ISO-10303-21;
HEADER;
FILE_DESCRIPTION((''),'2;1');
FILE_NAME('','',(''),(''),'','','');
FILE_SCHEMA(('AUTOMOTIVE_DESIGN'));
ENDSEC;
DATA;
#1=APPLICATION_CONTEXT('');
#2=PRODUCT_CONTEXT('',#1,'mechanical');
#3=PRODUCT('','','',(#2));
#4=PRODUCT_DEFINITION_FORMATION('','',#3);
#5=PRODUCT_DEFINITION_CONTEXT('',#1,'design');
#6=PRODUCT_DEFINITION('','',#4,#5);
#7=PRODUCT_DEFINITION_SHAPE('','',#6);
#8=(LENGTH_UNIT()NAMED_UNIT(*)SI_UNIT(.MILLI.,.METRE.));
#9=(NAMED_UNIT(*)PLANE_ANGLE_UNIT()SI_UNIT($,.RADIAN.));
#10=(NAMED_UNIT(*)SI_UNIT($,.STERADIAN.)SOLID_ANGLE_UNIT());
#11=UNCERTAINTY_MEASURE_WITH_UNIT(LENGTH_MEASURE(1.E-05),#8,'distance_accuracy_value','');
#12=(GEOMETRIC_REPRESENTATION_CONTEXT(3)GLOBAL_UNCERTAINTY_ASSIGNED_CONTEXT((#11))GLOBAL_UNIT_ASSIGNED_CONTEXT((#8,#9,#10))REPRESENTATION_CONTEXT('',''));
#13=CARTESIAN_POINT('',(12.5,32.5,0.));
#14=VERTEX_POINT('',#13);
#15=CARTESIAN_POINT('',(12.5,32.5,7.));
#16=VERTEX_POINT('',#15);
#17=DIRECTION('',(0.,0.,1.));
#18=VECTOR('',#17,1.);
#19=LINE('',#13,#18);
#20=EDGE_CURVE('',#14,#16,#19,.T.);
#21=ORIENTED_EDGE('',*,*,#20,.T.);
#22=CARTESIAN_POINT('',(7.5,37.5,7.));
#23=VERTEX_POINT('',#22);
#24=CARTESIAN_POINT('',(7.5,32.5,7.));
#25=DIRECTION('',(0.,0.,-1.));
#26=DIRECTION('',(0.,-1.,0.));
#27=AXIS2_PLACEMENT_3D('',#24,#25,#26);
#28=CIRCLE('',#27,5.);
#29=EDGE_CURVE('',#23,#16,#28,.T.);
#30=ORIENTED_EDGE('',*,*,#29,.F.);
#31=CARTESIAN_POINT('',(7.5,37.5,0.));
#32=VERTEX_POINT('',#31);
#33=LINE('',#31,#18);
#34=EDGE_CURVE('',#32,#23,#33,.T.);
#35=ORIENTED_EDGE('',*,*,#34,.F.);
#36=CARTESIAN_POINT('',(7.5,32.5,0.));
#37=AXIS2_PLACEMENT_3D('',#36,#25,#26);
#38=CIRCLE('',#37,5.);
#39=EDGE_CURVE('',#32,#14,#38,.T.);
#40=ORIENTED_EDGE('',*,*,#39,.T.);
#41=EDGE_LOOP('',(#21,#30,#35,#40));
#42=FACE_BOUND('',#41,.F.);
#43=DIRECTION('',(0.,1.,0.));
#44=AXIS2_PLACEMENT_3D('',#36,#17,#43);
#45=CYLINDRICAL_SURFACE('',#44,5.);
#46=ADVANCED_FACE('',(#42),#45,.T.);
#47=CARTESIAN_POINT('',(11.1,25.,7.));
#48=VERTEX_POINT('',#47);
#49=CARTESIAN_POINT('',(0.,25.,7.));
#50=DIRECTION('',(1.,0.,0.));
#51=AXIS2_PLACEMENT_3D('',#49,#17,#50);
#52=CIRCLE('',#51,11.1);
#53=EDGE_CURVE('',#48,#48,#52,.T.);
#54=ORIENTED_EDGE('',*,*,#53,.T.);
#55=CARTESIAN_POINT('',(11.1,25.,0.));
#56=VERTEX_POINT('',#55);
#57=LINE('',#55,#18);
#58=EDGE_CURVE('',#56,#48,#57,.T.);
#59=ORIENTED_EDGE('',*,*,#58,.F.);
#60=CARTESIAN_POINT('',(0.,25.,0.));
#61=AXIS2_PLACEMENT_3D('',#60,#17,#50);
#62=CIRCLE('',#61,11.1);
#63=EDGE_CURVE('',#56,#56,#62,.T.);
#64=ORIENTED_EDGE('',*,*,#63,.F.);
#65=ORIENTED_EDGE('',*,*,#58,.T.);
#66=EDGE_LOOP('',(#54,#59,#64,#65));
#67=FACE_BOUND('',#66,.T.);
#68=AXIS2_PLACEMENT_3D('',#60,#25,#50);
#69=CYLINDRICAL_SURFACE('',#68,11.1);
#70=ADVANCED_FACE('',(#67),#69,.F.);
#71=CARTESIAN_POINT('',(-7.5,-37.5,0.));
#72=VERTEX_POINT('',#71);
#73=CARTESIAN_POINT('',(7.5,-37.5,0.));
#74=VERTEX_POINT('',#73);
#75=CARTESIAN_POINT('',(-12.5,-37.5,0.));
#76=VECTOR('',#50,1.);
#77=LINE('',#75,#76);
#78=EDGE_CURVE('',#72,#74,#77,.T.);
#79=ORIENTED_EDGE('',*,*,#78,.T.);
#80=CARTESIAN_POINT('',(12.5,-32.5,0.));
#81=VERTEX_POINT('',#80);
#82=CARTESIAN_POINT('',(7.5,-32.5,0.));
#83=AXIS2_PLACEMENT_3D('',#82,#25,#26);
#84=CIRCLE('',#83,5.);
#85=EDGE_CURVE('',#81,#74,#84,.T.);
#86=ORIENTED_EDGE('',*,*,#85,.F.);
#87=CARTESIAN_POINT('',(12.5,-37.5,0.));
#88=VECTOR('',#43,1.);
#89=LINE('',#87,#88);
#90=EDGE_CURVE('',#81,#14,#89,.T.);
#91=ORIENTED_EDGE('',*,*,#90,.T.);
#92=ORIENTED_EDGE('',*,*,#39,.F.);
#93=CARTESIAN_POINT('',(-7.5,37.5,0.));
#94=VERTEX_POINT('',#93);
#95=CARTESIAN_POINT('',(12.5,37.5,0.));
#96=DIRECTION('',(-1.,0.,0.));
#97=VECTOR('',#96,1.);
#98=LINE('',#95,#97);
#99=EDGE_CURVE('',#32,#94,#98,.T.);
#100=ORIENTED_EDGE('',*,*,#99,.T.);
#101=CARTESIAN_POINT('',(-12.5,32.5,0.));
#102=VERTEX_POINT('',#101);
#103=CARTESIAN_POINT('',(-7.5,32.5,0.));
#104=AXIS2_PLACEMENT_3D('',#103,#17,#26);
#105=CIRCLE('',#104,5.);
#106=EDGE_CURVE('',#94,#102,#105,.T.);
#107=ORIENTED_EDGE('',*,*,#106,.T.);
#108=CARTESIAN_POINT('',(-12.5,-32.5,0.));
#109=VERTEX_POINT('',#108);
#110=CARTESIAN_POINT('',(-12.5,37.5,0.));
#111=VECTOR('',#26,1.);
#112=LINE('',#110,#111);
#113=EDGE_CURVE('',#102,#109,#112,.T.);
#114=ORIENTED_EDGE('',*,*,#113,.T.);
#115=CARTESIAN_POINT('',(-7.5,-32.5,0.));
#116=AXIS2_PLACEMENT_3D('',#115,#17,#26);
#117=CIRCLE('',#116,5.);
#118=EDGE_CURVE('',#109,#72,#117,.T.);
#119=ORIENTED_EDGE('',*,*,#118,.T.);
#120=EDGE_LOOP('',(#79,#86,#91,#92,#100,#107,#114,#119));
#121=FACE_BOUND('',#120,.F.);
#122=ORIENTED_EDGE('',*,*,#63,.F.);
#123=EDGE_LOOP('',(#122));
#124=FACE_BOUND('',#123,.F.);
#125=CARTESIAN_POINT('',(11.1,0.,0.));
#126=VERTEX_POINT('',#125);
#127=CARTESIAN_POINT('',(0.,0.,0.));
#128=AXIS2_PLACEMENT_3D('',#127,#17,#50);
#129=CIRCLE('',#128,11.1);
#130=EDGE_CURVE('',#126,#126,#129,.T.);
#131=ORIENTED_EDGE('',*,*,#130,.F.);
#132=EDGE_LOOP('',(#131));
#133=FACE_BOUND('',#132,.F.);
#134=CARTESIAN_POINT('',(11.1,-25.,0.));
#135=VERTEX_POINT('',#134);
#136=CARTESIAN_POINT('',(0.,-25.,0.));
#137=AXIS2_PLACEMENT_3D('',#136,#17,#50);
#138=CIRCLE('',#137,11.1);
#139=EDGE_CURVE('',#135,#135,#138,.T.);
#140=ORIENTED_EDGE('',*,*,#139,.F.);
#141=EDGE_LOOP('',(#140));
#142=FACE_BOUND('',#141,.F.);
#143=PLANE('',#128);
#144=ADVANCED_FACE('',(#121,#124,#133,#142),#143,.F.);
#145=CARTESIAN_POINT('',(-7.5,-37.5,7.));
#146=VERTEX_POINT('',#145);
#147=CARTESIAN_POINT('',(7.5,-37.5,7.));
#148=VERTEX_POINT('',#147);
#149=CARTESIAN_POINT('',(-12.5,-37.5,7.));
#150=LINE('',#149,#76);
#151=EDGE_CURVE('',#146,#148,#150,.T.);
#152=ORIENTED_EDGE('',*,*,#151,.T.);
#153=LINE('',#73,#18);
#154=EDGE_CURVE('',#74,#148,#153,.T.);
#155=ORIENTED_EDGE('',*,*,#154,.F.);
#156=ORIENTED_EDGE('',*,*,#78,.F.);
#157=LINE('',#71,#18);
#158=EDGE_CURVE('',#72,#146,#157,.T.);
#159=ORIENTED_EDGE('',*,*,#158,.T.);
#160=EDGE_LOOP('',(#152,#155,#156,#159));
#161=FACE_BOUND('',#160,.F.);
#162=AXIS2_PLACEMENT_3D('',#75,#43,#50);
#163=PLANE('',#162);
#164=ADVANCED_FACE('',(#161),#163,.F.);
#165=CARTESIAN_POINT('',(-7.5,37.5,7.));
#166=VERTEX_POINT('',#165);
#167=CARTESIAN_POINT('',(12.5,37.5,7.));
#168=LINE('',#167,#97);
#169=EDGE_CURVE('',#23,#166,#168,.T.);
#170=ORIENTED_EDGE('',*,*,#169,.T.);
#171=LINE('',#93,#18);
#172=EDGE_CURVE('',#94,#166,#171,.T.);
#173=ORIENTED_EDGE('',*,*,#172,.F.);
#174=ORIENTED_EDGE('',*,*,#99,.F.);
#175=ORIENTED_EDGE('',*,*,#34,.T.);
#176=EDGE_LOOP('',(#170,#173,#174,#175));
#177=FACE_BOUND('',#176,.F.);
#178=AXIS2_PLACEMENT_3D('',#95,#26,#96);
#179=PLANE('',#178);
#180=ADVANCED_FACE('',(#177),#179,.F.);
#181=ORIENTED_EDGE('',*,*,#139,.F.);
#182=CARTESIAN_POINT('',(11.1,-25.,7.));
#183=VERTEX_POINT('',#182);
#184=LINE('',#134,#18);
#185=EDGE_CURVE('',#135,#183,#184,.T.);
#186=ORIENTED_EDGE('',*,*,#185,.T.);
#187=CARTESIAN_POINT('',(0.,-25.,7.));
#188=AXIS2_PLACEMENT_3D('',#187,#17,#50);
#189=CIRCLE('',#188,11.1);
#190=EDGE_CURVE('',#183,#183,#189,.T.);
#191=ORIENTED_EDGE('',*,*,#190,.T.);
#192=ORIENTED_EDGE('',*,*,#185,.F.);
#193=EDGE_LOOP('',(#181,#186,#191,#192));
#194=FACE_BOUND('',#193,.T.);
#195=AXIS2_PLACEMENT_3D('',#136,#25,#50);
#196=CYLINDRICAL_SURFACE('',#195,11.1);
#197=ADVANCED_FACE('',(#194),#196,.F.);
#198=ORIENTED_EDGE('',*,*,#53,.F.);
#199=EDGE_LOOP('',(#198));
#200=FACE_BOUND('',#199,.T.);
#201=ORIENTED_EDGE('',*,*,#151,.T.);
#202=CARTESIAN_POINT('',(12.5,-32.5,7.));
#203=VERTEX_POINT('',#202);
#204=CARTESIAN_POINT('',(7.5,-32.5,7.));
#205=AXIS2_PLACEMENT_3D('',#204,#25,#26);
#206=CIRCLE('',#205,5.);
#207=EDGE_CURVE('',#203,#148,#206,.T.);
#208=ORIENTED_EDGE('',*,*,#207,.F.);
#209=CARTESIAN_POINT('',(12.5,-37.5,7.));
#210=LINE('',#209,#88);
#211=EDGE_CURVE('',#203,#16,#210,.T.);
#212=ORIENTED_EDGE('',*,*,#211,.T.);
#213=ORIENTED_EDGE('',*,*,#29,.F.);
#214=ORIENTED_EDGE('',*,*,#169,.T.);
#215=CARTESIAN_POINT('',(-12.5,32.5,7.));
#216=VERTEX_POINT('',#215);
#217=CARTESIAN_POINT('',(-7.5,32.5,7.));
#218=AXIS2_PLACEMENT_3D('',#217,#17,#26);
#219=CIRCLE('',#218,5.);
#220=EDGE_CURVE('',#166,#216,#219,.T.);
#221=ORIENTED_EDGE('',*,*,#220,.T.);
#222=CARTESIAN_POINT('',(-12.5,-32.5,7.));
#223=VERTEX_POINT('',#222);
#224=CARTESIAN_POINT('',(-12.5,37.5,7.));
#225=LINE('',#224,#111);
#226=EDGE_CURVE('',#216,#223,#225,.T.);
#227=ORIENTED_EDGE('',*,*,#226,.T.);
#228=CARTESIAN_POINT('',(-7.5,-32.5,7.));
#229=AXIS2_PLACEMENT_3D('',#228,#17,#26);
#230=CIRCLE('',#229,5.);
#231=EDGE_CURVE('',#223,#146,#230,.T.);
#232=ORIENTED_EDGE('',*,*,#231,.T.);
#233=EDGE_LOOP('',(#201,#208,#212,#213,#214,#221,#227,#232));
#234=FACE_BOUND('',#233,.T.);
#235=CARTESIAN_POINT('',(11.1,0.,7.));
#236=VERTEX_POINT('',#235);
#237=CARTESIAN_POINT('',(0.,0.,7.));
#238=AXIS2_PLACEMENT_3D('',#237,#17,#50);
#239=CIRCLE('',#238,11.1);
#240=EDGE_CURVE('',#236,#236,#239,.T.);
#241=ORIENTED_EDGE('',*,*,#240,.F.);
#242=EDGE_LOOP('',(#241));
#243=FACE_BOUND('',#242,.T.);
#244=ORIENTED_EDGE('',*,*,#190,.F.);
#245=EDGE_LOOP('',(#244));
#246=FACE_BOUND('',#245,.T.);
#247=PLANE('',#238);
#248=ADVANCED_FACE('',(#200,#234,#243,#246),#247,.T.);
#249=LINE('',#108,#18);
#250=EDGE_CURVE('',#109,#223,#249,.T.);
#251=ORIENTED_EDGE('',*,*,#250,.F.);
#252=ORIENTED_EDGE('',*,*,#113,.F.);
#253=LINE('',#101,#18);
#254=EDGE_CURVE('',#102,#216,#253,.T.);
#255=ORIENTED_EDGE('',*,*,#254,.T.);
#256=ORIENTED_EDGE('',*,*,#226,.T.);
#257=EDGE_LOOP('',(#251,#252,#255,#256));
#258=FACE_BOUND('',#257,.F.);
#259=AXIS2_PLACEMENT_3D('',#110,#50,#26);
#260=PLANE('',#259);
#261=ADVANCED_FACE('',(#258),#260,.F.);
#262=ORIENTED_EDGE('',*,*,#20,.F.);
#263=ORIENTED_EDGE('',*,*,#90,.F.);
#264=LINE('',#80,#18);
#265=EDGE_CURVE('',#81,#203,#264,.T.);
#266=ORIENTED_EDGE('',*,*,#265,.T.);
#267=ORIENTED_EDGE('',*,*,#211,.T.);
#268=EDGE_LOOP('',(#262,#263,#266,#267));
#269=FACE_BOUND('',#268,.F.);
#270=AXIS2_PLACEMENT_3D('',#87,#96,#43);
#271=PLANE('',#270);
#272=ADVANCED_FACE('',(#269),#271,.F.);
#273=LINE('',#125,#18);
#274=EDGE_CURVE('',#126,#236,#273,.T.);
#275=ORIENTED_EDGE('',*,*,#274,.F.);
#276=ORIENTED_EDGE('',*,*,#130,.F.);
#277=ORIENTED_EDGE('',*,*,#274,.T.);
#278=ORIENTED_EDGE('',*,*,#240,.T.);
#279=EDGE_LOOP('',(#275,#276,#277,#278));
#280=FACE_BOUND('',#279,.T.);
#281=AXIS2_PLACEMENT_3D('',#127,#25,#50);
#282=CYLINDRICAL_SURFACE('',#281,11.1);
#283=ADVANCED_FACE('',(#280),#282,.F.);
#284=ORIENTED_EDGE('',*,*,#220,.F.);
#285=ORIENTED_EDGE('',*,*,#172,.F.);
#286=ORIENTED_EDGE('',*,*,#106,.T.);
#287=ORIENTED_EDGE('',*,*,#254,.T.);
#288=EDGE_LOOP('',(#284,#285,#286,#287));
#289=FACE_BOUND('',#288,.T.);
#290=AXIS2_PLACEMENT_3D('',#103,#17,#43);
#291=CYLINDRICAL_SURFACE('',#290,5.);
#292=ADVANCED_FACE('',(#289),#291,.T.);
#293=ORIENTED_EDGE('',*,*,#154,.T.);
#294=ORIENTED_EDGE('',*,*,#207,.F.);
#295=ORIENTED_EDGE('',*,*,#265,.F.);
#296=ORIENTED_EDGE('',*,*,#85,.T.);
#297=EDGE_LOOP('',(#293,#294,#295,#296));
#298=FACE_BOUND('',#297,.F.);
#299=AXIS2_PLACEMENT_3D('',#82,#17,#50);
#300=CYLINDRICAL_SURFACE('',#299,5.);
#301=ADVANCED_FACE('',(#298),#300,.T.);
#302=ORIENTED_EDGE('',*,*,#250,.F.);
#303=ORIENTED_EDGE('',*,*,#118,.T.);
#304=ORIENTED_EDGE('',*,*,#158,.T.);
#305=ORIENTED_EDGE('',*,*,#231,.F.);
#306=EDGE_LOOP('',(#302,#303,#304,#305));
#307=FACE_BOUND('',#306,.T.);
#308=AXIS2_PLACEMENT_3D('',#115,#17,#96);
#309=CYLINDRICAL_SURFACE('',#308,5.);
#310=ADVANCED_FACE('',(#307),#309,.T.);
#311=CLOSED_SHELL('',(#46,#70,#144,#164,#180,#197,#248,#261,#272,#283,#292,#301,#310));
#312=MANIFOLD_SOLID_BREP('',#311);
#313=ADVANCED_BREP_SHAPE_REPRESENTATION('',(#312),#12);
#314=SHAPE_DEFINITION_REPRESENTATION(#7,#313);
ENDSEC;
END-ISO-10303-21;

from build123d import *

# Parameters (mm, degrees)
F0_R     = 11.1
F1_DEPTH = 7
F2_R     = 5


with BuildPart() as f1:
    # F0 (on Top) → F1 (new body)
    with BuildSketch(Plane.XY):
        Polygon((12.5, 25), (12.5, 37.5), (-12.5, 37.5), (-12.5, 25), (-12.5, 12.5), (-12.5, -12.5), (-12.5, -25), (-12.5, -37.5), (12.5, -37.5), (12.5, -25), (12.5, -12.5), (12.5, 12.5), align=None)
        with Locations((0, -25)):
            Circle(F0_R, mode=Mode.SUBTRACT)
        Circle(F0_R, mode=Mode.SUBTRACT)
        with Locations((0, 25)):
            Circle(F0_R, mode=Mode.SUBTRACT)
    extrude(amount=F1_DEPTH)

    # F2
    f2_edges = [f1.edges().sort_by_distance(p)[0] for p in [
        (12.5, -37.5, 3.5),
        (-12.5, -37.5, 3.5),
        (-12.5, 37.5, 3.5),
        (12.5, 37.5, 3.5),
    ]]
    fillet(f2_edges, radius=F2_R)


solid = f1.part
